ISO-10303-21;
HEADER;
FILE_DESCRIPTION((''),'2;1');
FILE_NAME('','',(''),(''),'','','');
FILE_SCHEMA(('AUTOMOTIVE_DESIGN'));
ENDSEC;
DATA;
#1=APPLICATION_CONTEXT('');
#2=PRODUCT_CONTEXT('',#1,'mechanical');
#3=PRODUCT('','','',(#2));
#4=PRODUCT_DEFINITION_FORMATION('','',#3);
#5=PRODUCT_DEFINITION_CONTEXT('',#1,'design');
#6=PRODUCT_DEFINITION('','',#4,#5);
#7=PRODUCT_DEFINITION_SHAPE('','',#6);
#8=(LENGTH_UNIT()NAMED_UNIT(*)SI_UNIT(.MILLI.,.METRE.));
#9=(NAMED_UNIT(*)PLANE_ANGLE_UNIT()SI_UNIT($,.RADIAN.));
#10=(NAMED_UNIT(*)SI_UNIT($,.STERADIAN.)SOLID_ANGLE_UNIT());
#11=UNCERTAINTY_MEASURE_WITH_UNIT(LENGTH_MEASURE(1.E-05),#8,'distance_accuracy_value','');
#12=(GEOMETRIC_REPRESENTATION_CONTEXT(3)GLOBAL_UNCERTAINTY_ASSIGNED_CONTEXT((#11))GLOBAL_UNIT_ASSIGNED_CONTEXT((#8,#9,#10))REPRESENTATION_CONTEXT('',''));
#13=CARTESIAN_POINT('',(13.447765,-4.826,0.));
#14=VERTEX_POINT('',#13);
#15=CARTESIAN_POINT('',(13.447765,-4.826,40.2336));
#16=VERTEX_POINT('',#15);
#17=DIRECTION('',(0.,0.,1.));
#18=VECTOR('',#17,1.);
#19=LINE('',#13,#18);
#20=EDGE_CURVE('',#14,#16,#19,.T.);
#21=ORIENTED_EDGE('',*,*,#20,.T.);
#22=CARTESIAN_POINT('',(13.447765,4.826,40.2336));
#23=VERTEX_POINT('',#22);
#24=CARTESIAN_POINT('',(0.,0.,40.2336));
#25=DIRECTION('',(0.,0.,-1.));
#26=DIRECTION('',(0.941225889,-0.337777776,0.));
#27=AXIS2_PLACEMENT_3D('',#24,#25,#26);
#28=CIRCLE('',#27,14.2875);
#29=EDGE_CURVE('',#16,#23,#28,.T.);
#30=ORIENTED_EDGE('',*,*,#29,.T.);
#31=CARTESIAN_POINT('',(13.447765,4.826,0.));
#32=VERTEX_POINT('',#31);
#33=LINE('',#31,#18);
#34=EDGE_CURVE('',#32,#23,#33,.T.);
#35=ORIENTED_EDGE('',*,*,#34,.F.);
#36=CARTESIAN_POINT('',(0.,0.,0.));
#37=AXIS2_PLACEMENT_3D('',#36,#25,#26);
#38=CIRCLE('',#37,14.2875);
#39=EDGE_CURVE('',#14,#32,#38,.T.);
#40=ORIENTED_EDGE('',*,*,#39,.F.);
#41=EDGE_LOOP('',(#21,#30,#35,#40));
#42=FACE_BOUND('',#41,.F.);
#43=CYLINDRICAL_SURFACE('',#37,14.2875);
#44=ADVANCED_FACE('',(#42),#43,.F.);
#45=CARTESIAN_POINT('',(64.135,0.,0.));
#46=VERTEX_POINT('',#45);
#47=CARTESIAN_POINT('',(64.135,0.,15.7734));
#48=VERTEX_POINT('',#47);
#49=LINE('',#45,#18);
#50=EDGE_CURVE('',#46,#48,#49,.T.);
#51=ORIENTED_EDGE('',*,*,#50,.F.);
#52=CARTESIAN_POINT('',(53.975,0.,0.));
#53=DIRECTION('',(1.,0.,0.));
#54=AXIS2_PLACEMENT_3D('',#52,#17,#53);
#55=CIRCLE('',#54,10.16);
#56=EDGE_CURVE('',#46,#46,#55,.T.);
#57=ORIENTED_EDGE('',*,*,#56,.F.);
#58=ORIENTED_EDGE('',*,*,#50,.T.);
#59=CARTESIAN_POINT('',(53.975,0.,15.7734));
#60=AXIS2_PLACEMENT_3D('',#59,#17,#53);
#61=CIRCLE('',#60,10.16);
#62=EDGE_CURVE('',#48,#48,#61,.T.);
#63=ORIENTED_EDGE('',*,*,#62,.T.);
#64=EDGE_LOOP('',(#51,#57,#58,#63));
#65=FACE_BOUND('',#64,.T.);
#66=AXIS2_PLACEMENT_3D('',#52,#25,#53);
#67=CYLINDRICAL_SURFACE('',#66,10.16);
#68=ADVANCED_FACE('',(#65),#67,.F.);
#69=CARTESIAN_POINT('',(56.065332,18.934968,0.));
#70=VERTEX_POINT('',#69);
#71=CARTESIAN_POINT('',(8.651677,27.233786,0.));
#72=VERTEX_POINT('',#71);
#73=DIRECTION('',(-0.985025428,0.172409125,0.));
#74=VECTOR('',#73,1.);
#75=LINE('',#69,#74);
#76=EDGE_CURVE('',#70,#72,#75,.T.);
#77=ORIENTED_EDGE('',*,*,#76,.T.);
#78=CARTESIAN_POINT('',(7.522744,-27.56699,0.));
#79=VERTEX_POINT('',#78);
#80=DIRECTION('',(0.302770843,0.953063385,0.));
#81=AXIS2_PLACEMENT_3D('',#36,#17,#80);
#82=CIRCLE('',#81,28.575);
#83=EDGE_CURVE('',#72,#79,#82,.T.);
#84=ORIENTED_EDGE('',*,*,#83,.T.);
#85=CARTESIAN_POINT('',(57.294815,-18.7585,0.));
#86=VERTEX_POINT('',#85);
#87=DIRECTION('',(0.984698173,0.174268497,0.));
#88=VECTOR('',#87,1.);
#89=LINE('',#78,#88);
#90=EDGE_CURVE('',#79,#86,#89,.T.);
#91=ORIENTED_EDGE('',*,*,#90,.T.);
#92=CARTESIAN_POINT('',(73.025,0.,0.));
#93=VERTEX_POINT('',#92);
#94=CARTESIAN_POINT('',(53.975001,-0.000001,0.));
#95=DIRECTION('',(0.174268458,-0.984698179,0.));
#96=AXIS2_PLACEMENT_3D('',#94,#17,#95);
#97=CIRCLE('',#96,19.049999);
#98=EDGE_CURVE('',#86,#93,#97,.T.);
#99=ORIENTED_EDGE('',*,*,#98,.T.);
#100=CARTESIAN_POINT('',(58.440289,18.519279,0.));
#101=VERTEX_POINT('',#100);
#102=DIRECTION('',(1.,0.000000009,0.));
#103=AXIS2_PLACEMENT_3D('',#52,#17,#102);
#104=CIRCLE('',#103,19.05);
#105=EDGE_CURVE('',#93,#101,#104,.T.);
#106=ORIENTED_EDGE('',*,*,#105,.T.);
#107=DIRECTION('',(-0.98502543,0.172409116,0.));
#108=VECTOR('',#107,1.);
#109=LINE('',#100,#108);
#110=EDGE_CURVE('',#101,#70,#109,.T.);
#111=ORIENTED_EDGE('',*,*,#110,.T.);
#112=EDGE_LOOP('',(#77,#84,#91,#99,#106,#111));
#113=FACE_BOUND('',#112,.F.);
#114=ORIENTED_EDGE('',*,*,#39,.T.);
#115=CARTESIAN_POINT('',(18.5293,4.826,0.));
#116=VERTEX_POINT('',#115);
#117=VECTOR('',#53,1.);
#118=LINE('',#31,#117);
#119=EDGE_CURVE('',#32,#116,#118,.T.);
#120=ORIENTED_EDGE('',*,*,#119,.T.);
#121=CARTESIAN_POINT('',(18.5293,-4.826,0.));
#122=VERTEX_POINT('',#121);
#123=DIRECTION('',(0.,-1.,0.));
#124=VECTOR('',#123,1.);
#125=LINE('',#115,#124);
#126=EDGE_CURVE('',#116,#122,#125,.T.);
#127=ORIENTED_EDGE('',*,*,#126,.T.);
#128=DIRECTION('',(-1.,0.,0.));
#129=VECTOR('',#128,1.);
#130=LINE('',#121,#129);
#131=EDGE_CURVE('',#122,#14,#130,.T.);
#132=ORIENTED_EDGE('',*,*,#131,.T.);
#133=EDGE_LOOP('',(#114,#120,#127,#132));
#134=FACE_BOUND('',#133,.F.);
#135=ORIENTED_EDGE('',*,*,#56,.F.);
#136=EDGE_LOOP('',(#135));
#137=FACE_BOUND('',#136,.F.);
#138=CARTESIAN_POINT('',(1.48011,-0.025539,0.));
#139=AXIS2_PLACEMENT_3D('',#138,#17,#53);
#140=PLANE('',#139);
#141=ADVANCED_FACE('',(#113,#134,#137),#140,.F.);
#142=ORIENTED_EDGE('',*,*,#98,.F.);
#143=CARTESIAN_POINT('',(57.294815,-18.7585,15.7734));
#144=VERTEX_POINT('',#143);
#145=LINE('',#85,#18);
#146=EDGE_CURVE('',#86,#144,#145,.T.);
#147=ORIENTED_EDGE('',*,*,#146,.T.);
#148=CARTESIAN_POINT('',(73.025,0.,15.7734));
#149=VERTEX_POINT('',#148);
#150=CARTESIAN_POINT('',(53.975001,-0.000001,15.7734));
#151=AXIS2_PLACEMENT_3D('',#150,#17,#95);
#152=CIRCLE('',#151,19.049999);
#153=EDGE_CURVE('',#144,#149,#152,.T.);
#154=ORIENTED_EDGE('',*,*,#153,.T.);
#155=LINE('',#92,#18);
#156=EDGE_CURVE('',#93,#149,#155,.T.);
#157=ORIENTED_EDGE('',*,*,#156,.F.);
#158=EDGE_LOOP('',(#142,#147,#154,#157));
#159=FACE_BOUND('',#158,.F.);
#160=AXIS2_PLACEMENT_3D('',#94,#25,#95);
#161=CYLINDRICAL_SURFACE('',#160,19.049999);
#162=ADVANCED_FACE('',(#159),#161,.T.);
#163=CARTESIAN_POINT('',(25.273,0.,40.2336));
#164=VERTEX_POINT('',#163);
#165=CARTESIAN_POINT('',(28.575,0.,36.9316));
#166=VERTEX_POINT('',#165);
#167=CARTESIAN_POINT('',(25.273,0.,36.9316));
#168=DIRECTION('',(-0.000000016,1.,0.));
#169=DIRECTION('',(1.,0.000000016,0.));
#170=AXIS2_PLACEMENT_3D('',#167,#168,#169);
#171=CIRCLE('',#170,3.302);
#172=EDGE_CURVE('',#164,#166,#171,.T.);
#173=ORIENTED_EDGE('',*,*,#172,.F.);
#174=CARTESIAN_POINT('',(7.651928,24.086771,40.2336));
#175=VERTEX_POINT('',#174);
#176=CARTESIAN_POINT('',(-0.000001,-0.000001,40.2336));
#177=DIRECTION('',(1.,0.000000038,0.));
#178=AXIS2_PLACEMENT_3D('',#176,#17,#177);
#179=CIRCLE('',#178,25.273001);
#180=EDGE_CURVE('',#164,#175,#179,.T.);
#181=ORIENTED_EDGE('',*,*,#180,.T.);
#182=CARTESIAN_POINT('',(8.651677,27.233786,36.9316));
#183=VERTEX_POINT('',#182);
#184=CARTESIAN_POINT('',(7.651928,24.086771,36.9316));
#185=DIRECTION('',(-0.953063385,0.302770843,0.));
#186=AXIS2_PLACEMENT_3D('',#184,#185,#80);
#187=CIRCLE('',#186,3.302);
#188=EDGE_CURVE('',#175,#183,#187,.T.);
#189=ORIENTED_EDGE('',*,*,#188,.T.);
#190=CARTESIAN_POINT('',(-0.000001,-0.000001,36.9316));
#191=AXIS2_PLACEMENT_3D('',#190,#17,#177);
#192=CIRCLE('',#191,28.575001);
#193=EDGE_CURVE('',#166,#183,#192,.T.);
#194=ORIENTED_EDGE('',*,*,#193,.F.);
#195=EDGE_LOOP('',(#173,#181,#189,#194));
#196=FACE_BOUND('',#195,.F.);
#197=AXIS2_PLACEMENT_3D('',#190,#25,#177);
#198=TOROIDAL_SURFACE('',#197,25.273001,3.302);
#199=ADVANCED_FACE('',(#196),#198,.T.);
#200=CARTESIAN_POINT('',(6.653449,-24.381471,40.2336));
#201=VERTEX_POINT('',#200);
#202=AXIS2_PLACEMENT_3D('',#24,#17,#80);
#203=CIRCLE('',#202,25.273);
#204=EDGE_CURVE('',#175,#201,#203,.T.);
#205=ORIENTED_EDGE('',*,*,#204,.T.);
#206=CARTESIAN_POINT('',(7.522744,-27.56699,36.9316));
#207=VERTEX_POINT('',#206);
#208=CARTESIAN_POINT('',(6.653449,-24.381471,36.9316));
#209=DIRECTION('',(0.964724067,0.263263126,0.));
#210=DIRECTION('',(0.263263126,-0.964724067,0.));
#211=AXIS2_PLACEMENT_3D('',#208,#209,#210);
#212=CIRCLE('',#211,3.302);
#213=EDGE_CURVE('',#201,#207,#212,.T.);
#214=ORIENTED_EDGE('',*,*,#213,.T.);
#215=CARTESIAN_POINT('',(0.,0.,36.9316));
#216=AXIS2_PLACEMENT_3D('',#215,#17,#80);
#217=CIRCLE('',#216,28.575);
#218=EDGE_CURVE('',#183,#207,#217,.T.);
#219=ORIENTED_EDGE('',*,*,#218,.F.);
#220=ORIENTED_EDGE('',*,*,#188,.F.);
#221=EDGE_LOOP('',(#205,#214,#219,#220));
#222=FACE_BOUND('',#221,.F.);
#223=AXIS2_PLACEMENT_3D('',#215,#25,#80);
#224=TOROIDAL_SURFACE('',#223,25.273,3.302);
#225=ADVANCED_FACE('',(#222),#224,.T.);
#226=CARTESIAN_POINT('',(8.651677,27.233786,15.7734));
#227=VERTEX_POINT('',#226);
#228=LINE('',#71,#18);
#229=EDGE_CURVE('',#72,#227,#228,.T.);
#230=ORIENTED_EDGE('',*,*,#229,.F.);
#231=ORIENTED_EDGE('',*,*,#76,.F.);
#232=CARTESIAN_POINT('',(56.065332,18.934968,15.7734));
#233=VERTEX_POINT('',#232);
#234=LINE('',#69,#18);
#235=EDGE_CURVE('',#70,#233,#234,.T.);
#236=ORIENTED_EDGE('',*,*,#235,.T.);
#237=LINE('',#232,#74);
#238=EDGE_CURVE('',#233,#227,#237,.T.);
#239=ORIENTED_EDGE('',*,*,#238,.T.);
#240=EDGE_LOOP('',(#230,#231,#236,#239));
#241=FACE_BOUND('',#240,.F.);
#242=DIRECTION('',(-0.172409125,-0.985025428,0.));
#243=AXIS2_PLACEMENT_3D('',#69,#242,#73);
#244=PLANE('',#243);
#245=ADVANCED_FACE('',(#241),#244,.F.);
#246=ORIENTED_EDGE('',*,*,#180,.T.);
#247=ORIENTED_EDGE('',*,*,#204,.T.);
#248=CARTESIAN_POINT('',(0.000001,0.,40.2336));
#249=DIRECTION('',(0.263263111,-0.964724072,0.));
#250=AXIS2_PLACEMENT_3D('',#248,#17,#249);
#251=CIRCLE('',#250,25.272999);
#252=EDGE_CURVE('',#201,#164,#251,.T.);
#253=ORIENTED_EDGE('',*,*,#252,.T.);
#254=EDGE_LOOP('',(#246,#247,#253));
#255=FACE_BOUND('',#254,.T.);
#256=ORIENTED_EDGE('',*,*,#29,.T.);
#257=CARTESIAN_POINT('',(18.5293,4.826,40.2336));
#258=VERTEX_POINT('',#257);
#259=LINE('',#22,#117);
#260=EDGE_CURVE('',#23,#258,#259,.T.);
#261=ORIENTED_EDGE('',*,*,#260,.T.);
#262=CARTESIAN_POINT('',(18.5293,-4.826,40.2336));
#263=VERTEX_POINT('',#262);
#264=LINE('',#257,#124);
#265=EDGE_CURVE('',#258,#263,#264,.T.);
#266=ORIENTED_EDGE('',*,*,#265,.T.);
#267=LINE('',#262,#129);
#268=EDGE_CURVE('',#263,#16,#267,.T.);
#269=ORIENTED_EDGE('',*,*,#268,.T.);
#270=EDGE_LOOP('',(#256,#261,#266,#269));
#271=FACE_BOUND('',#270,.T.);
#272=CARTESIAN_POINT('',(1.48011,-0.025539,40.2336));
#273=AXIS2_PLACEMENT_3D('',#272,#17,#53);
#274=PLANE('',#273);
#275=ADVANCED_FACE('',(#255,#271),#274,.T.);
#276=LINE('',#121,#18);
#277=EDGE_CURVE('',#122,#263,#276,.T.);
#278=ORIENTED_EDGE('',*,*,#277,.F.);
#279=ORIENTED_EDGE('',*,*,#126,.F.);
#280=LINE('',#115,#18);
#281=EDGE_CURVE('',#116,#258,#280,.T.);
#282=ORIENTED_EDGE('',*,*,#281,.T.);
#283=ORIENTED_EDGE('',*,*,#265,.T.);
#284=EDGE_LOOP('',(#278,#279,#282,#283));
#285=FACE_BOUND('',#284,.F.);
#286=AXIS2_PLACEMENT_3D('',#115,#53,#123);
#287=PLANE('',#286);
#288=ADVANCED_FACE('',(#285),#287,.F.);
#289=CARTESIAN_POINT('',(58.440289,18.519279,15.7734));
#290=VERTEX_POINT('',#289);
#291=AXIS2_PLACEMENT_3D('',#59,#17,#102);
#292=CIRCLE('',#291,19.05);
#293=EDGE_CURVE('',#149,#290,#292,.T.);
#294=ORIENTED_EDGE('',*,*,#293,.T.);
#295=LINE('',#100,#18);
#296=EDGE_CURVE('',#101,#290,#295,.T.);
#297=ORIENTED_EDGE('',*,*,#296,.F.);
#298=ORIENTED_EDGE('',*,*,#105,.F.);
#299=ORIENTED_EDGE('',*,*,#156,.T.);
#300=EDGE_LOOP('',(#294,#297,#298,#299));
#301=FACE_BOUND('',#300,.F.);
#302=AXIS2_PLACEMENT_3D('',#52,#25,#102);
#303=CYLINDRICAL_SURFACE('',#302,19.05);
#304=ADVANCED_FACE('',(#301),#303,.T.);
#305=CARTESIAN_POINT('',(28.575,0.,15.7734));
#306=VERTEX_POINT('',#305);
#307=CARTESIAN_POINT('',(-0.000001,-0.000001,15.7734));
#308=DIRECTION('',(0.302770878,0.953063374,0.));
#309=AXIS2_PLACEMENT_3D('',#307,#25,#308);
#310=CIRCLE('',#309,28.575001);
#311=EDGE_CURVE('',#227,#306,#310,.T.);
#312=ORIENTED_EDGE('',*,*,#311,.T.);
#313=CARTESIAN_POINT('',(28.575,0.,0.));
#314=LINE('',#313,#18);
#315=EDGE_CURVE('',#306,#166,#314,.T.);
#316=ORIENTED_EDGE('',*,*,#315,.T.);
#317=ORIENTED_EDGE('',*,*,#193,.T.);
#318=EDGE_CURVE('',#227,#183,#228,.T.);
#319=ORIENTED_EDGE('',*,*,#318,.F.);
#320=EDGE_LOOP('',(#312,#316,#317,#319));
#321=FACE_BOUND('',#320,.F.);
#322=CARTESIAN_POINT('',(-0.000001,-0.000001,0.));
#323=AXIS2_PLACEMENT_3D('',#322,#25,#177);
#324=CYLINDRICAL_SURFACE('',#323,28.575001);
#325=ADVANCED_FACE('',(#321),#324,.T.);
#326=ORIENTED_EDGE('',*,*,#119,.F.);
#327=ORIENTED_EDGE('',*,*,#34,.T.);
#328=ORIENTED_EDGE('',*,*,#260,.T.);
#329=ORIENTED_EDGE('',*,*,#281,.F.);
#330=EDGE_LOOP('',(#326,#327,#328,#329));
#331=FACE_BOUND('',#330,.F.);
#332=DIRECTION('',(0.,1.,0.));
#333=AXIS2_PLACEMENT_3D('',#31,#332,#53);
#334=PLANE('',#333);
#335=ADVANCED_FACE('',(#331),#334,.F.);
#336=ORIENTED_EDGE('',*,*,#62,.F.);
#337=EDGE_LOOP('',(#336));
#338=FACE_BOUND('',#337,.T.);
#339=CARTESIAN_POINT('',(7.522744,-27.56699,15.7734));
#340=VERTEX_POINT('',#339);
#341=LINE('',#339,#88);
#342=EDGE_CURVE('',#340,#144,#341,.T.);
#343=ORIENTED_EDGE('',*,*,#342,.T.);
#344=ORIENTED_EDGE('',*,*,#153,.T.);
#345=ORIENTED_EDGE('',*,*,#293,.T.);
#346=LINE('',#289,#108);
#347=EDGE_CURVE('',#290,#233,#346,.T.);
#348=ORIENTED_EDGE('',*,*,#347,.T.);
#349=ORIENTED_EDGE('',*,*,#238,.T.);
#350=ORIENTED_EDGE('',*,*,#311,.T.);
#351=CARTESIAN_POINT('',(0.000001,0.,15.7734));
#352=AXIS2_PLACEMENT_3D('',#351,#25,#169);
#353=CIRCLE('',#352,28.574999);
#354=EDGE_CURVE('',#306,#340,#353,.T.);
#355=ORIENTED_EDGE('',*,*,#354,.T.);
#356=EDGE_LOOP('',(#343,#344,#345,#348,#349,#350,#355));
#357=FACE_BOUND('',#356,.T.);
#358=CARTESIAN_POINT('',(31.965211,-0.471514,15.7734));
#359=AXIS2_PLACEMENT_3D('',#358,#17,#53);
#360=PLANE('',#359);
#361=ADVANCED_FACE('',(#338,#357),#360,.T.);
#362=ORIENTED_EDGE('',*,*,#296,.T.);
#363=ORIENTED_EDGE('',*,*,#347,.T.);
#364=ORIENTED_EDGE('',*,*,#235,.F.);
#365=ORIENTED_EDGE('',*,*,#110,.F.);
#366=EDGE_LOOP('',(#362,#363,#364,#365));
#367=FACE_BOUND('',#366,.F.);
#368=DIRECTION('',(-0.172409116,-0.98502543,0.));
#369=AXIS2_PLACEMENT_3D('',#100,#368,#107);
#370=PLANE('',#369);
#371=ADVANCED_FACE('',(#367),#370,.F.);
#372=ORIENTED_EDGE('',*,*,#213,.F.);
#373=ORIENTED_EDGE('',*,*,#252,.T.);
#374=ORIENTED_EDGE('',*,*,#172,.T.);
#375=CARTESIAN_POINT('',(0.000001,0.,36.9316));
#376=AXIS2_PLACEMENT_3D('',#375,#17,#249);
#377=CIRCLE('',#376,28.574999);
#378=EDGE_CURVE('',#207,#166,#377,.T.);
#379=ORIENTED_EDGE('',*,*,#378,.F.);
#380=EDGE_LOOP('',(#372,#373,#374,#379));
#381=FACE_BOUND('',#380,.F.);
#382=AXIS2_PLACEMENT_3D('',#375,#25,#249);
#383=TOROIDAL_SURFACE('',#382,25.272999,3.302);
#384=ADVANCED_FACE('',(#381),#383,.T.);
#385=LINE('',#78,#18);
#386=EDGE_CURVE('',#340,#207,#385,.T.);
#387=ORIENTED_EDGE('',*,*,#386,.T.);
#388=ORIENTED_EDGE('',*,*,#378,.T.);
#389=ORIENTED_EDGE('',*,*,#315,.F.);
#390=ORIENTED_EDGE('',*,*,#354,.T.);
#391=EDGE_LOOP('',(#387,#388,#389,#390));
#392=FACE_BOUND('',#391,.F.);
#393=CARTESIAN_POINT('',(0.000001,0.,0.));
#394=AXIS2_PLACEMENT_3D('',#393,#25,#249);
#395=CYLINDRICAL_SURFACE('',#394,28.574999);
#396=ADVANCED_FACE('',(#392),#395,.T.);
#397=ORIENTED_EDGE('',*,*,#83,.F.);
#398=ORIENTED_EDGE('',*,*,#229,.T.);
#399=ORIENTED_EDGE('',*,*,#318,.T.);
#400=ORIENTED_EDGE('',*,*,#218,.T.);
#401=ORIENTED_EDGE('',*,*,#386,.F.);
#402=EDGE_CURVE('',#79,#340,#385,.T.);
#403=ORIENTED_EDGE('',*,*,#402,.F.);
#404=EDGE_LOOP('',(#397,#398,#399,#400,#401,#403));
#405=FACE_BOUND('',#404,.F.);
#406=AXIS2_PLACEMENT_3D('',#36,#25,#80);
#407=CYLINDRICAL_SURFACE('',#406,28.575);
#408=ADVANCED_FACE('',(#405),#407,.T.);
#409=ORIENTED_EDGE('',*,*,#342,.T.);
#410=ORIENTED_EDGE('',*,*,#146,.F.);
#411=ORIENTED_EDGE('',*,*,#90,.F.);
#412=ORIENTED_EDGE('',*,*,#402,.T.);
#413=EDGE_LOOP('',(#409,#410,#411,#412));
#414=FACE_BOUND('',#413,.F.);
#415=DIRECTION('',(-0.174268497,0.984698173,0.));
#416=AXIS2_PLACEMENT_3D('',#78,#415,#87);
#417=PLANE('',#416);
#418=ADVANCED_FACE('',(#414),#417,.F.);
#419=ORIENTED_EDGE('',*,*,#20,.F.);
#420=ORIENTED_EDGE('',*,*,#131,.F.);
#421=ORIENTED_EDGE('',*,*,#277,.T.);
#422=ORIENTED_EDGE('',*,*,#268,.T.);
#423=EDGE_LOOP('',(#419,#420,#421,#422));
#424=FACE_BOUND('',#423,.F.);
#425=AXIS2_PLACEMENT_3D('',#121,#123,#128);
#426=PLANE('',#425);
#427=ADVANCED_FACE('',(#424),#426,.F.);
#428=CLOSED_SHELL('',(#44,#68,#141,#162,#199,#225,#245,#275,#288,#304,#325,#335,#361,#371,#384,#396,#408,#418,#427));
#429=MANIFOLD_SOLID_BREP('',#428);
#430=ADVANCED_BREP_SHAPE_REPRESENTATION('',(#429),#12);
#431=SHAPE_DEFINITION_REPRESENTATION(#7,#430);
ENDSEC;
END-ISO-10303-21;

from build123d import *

# Parameters (mm, degrees)
F0_R     = 10.16
F1_DEPTH = 15.7734
F3_DEPTH = 40.2336
F4_R     = 3.302


with BuildPart() as f1:
    # F0 (on Top) → F1 (new body)
    with BuildSketch(Plane.XY):
        with BuildLine():
            ThreePointArc((8.651677, 27.233786), (23.06244, 16.871706), (28.575, 0))
            ThreePointArc((28.575, 0), (22.710053, -17.343129), (7.522744, -27.56699))
            Line((7.522744, -27.56699), (57.294815, -18.7585))
            ThreePointArc((57.294815, -18.7585), (34.935126, -0.621041), (56.065332, 18.934968))
            Line((56.065332, 18.934968), (8.651677, 27.233786))
        make_face()
        with BuildLine():
            Line((58.440289, 18.519279), (56.065332, 18.934968))
            ThreePointArc((56.065332, 18.934968), (34.935126, -0.621041), (57.294815, -18.7585))
            ThreePointArc((57.294815, -18.7585), (68.572003, -12.240507), (73.025, 0))
            ThreePointArc((73.025, 0), (68.941066, 11.786406), (58.440289, 18.519279))
        make_face()
        with Locations((53.975, 0)):
            Circle(F0_R, mode=Mode.SUBTRACT)
    extrude(amount=F1_DEPTH)

    # F2 (on Top) → F3 (join)
    with BuildSketch(Plane.XY):
        with BuildLine():
            ThreePointArc((7.522744, -27.56699), (22.710053, -17.343129), (28.575, 0))
            ThreePointArc((28.575, 0), (23.06244, 16.871706), (8.651677, 27.233786))
            ThreePointArc((8.651677, 27.233786), (-28.568938, 0.58854), (7.522744, -27.56699))
        make_face()
        with BuildLine():
            ThreePointArc((13.447765, -4.826), (-14.2875, 0), (13.447765, 4.826))
            Line((13.447765, 4.826), (18.5293, 4.826))
            Line((18.5293, 4.826), (18.5293, -4.826))
            Line((18.5293, -4.826), (13.447765, -4.826))
        make_face(mode=Mode.SUBTRACT)
    extrude(amount=F3_DEPTH)

    # F4
    f4_edges = [f1.edges().sort_by_distance(p)[0] for p in [
        (-7.522744, 27.56699, 40.2336),
    ]]
    fillet(f4_edges, radius=F4_R)


solid = f1.part
